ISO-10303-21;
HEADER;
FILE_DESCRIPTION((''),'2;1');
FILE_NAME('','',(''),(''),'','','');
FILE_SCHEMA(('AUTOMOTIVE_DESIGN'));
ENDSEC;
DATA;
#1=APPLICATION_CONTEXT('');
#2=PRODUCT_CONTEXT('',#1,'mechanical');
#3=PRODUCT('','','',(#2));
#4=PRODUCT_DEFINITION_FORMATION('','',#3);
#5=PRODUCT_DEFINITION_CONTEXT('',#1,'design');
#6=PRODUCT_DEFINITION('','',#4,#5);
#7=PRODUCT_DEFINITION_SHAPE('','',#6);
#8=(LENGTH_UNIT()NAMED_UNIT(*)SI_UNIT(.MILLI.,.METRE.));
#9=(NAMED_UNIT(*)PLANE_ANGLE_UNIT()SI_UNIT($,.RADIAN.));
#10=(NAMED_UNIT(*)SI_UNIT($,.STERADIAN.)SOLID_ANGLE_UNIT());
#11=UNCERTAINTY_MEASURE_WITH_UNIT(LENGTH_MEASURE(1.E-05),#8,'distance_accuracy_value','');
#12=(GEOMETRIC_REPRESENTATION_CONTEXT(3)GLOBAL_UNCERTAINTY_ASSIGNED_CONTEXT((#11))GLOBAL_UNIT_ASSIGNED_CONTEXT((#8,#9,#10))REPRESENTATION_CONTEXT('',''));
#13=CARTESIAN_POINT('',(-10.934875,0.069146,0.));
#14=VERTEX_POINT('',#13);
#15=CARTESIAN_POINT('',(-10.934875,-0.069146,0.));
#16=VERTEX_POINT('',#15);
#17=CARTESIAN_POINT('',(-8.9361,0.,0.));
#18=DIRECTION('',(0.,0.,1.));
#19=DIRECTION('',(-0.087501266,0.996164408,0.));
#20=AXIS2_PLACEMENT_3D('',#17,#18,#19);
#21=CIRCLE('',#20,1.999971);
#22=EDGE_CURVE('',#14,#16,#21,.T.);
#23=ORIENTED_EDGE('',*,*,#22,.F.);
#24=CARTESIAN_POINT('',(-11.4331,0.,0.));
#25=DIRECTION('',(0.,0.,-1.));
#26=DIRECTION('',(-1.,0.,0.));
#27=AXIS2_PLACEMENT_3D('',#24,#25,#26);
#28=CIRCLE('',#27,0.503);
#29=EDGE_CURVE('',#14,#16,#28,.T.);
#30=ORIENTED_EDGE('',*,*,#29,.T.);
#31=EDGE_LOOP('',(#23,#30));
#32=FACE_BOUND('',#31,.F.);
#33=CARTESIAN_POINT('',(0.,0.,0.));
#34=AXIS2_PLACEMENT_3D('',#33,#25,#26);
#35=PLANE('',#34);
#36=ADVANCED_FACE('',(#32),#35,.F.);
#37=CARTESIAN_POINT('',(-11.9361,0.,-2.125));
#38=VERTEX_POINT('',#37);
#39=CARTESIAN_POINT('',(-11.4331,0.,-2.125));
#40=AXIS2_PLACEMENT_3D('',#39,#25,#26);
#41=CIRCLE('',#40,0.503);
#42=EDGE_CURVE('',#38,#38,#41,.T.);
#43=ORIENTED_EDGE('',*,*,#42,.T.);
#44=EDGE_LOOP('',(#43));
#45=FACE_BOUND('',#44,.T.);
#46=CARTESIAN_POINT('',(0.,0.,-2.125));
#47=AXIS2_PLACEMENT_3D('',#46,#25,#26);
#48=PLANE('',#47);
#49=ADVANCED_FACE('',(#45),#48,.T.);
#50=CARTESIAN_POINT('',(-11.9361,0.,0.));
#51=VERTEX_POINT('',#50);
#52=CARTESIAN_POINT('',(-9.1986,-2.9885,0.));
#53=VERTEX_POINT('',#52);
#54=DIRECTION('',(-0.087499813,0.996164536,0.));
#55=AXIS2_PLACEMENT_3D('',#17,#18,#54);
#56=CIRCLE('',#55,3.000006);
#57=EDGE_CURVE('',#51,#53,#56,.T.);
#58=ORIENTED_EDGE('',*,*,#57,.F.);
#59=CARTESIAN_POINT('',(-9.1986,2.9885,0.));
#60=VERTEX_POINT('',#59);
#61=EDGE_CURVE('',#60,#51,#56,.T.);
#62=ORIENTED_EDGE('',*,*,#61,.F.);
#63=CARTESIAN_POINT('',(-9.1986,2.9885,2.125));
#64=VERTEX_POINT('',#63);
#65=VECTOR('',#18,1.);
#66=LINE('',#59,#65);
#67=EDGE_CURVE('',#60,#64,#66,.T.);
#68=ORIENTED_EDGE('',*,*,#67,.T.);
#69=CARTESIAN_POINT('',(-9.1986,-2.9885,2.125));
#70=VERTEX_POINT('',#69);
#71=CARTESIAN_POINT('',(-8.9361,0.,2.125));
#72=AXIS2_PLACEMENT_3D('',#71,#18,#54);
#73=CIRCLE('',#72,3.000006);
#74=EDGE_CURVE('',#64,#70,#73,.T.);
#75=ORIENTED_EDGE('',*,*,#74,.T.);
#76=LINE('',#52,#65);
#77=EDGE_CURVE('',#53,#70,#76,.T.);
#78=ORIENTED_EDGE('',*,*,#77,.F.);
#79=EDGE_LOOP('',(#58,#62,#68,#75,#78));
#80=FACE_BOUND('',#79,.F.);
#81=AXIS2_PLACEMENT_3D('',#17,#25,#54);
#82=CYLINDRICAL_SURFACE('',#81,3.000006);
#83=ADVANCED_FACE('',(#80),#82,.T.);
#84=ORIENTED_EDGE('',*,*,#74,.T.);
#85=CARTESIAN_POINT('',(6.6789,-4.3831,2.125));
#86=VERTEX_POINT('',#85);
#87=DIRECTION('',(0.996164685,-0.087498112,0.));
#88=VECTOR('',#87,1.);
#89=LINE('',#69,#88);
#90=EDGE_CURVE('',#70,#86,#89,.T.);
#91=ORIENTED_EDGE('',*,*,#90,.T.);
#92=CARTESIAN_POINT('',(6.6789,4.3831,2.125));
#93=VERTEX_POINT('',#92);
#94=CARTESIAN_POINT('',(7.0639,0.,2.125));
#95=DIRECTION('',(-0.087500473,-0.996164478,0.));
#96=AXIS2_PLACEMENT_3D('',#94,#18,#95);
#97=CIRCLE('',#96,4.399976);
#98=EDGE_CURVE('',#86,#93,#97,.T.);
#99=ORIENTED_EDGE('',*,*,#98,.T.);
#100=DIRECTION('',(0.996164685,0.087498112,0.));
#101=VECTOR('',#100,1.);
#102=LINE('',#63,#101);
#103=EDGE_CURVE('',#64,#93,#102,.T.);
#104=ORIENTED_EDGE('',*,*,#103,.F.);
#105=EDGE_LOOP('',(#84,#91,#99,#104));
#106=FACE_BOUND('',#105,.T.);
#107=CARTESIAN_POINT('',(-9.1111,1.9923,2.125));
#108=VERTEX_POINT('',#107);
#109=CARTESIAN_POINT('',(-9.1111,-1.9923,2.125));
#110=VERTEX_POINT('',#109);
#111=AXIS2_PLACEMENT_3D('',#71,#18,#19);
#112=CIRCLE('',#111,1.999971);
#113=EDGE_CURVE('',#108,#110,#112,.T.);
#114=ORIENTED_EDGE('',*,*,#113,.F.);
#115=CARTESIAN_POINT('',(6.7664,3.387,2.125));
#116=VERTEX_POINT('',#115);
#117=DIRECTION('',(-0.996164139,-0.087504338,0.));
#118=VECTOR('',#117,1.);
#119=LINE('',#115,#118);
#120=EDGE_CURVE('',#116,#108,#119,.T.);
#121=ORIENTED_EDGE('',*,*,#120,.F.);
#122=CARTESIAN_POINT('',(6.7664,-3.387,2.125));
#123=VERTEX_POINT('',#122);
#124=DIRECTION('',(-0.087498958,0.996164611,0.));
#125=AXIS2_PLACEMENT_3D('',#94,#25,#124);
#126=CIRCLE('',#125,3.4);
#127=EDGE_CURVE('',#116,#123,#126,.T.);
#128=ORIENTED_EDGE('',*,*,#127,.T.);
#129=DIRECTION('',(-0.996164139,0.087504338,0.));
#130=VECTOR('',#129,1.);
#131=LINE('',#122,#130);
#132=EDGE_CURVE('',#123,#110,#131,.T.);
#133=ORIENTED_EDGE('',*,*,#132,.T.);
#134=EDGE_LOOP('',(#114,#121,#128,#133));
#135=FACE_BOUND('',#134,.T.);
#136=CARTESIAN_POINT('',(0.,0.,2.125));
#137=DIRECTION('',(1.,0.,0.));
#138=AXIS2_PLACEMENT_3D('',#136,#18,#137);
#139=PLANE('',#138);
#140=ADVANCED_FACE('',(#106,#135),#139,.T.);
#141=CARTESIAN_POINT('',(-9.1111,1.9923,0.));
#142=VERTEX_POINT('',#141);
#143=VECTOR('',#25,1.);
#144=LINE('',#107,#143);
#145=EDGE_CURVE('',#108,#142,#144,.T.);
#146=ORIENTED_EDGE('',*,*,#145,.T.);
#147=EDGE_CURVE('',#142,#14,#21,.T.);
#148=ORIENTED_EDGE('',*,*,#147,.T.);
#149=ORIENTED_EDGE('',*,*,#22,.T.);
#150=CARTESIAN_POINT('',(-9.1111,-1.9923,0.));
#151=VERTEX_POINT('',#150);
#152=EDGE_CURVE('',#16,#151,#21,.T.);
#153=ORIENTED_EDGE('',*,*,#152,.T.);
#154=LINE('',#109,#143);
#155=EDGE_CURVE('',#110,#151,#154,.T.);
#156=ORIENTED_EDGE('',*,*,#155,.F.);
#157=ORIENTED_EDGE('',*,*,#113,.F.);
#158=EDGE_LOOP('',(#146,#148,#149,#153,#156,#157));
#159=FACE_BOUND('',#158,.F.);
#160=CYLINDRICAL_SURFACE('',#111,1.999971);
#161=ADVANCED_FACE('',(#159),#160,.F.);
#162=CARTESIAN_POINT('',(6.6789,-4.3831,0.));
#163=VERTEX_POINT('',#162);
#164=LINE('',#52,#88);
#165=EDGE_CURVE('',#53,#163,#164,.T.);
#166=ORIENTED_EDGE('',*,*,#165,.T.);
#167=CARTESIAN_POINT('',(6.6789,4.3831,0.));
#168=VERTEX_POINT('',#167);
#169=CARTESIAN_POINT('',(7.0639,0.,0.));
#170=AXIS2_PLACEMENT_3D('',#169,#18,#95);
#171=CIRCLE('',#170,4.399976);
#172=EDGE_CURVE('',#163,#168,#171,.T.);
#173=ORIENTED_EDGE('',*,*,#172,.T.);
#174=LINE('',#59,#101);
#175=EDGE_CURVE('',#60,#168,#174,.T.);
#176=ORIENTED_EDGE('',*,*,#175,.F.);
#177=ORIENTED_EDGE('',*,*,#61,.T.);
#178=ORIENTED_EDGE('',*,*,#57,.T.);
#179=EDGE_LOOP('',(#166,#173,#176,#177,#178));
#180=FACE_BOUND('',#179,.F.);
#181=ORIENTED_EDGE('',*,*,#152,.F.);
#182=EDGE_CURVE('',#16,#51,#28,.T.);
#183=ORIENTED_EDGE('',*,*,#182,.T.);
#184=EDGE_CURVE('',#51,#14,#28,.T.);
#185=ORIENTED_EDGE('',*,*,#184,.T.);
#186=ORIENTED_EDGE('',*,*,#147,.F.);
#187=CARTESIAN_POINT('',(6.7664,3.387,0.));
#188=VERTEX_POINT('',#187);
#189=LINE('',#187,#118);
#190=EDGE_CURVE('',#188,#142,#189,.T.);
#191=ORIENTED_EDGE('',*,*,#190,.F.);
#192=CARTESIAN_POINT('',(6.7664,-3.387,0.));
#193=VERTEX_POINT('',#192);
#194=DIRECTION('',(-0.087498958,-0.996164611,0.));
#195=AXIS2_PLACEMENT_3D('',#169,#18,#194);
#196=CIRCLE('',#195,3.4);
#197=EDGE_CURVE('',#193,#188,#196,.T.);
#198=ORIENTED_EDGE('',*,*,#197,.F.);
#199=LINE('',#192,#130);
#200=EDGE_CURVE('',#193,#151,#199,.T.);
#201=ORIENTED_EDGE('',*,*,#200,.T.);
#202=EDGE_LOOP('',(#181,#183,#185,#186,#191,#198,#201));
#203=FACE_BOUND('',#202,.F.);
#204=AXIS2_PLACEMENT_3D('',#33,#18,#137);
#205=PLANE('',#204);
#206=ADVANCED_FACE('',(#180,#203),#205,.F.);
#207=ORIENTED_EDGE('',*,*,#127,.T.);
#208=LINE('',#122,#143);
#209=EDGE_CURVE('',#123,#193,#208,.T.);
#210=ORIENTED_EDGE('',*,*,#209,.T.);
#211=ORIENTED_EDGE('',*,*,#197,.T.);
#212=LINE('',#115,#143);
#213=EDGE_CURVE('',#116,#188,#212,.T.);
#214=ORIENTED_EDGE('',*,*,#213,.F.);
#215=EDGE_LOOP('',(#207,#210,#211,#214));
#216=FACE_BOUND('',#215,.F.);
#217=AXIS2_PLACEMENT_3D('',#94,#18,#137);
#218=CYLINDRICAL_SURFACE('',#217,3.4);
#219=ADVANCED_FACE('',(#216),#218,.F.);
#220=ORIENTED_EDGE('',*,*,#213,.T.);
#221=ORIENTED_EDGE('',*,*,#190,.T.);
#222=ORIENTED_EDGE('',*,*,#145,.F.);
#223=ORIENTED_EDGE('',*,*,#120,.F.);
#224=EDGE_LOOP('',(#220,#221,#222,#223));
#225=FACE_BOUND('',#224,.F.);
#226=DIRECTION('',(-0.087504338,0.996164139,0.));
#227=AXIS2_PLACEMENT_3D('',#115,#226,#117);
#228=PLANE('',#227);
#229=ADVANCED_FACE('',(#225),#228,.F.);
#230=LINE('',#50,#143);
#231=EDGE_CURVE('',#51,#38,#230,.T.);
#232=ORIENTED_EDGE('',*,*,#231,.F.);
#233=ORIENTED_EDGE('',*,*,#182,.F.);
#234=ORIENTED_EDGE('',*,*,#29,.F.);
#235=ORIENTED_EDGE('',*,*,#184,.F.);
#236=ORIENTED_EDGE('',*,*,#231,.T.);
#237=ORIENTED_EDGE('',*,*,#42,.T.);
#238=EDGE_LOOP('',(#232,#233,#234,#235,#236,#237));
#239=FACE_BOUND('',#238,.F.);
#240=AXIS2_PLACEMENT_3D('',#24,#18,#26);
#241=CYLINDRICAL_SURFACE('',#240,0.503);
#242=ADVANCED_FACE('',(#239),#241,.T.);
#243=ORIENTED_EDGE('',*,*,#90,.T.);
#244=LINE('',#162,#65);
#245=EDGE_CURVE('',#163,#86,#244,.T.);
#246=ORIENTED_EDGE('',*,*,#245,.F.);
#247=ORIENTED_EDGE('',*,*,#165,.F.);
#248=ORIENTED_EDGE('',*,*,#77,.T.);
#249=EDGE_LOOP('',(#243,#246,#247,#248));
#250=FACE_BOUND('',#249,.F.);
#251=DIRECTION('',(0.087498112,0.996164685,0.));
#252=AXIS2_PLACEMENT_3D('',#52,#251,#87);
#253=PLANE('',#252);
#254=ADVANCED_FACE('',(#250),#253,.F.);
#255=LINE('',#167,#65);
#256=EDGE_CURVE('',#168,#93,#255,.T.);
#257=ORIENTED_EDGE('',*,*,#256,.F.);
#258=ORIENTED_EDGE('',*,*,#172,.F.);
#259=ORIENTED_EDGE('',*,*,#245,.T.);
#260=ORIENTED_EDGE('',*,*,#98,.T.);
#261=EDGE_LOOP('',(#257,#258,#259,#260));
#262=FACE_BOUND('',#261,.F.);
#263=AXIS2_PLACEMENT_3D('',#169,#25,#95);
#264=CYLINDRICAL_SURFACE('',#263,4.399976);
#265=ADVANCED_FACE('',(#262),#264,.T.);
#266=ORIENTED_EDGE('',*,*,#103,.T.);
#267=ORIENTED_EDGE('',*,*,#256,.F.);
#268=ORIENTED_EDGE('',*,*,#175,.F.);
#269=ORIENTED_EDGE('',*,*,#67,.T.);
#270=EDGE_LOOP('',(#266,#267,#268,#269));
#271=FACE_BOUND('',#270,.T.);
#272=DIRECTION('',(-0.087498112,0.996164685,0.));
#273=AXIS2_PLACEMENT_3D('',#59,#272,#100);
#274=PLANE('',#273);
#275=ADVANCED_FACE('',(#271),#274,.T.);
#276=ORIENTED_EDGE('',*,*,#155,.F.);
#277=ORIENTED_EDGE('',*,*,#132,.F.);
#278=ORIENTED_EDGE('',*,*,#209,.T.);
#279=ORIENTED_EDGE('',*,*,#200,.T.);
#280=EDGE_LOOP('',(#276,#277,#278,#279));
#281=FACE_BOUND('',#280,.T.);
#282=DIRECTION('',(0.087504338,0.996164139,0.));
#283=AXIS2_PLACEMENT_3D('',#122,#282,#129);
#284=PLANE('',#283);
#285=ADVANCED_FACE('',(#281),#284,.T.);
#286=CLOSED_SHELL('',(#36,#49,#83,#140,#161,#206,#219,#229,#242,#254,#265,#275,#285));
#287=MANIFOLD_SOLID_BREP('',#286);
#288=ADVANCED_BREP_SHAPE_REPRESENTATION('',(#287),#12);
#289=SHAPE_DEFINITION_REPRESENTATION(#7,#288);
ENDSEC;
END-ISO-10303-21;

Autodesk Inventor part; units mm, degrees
ref_plane "YZ Plane" through (0, 0, 0) normal (1, 0, 0) x (0, 1, 0)
ref_plane "XZ Plane" through (0, 0, 0) normal (0, 1, 0) x (-1, 0, 0)
ref_plane "XY Plane" through (0, 0, 0) normal (0, 0, 1) x (1, 0, 0)
sketch "Szkic1" plane through (0, 0, 0) normal (0, 0, 1) x (1, 0, 0)
  line L0 (6.7664, -3.387) -> (-9.1111, -1.9923) projected
  arc A0 (6.7664, 3.387) -> (6.7664, -3.387) centre (7.0639, 0) ccw construction
  line L1 (6.7664, 3.387) -> (-9.1111, 1.9923) projected
  arc A1 (-9.1111, 1.9923) -> (-9.1111, -1.9923) centre (-8.9361, 0) ccw projected
  circle A2 centre (-5.2361, 0) radius 0.5 projected
  circle A3 centre (-7.1361, 0) radius 0.5 projected
  circle A4 centre (-9.0361, 0) radius 0.5 projected
  circle A5 centre (2.3639, 0) radius 0.5 projected
  circle A6 centre (0.4639, 0) radius 0.5 projected
  circle A7 centre (-1.4361, 0) radius 0.5 projected
  circle A8 centre (-3.3361, 0) radius 0.5 projected
  circle A9 centre (7.0639, 0) radius 3.4 construction
  arc A10 (6.6789, -4.3831) -> (6.6789, 4.3831) centre (7.0639, 0) ccw
  line L2 (6.7664, 3.387) -> (-9.1111, 1.9923) projected
  line L3 (6.7664, -3.387) -> (-9.1111, -1.9923) projected
  arc A11 (-9.1111, 1.9923) -> (-9.1111, -1.9923) centre (-8.9361, 0) ccw projected
  arc A12 (-9.1986, 2.9885) -> (-9.1986, -2.9885) centre (-8.9361, 0) ccw
  line L4 (-9.1986, -2.9885) -> (6.6789, -4.3831)
  line L5 (-9.1986, 2.9885) -> (6.6789, 4.3831)
  circle A13 centre (7.0639, 0) radius 3.4 projected
  line L6 (6.7664, 3.387) -> (-9.1111, 1.9923) projected
  line L7 (6.7664, -3.387) -> (-9.1111, -1.9923) projected
  arc A14 (-9.1111, 1.9923) -> (-9.1111, -1.9923) centre (-8.9361, 0) ccw projected
  dimension "d1" = 1
extrude "Wyciągnięcie proste1" add sketch "Szkic1" along normal blind 2.125 contours L0 A1 L1 A13 | A13 | A2 | A3 | A4 | A5 | A6 | A7 | A8 | L4 A12 L5 A10
sketch "Szkic2" plane through (0, 0, 2.125) normal (0, 0, 1) x (1, 0, 0)
  circle A0 centre (7.0639, 0) radius 3.4 projected
  arc A1 (-9.1111, 1.9923) -> (-9.1111, -1.9923) centre (-8.9361, 0) ccw projected
  line L0 (6.7664, -3.387) -> (-9.1111, -1.9923) projected
  line L1 (6.7664, 3.387) -> (-9.1111, 1.9923) projected
  point P0 (0, 0)
extrude "Wyciągnięcie proste2" cut sketch "Szkic2" against normal blind 2.125
sketch "Szkic3" plane through (0, 0, 0) normal (0, 0, -1) x (-1, 0, 0)
  circle A0 centre (11.4331, 0) radius 0.503
  point P0 (0, 0)
extrude "Wyciągnięcie proste3" add sketch "Szkic3" along normal blind 2.125
properties part number "adapter"
